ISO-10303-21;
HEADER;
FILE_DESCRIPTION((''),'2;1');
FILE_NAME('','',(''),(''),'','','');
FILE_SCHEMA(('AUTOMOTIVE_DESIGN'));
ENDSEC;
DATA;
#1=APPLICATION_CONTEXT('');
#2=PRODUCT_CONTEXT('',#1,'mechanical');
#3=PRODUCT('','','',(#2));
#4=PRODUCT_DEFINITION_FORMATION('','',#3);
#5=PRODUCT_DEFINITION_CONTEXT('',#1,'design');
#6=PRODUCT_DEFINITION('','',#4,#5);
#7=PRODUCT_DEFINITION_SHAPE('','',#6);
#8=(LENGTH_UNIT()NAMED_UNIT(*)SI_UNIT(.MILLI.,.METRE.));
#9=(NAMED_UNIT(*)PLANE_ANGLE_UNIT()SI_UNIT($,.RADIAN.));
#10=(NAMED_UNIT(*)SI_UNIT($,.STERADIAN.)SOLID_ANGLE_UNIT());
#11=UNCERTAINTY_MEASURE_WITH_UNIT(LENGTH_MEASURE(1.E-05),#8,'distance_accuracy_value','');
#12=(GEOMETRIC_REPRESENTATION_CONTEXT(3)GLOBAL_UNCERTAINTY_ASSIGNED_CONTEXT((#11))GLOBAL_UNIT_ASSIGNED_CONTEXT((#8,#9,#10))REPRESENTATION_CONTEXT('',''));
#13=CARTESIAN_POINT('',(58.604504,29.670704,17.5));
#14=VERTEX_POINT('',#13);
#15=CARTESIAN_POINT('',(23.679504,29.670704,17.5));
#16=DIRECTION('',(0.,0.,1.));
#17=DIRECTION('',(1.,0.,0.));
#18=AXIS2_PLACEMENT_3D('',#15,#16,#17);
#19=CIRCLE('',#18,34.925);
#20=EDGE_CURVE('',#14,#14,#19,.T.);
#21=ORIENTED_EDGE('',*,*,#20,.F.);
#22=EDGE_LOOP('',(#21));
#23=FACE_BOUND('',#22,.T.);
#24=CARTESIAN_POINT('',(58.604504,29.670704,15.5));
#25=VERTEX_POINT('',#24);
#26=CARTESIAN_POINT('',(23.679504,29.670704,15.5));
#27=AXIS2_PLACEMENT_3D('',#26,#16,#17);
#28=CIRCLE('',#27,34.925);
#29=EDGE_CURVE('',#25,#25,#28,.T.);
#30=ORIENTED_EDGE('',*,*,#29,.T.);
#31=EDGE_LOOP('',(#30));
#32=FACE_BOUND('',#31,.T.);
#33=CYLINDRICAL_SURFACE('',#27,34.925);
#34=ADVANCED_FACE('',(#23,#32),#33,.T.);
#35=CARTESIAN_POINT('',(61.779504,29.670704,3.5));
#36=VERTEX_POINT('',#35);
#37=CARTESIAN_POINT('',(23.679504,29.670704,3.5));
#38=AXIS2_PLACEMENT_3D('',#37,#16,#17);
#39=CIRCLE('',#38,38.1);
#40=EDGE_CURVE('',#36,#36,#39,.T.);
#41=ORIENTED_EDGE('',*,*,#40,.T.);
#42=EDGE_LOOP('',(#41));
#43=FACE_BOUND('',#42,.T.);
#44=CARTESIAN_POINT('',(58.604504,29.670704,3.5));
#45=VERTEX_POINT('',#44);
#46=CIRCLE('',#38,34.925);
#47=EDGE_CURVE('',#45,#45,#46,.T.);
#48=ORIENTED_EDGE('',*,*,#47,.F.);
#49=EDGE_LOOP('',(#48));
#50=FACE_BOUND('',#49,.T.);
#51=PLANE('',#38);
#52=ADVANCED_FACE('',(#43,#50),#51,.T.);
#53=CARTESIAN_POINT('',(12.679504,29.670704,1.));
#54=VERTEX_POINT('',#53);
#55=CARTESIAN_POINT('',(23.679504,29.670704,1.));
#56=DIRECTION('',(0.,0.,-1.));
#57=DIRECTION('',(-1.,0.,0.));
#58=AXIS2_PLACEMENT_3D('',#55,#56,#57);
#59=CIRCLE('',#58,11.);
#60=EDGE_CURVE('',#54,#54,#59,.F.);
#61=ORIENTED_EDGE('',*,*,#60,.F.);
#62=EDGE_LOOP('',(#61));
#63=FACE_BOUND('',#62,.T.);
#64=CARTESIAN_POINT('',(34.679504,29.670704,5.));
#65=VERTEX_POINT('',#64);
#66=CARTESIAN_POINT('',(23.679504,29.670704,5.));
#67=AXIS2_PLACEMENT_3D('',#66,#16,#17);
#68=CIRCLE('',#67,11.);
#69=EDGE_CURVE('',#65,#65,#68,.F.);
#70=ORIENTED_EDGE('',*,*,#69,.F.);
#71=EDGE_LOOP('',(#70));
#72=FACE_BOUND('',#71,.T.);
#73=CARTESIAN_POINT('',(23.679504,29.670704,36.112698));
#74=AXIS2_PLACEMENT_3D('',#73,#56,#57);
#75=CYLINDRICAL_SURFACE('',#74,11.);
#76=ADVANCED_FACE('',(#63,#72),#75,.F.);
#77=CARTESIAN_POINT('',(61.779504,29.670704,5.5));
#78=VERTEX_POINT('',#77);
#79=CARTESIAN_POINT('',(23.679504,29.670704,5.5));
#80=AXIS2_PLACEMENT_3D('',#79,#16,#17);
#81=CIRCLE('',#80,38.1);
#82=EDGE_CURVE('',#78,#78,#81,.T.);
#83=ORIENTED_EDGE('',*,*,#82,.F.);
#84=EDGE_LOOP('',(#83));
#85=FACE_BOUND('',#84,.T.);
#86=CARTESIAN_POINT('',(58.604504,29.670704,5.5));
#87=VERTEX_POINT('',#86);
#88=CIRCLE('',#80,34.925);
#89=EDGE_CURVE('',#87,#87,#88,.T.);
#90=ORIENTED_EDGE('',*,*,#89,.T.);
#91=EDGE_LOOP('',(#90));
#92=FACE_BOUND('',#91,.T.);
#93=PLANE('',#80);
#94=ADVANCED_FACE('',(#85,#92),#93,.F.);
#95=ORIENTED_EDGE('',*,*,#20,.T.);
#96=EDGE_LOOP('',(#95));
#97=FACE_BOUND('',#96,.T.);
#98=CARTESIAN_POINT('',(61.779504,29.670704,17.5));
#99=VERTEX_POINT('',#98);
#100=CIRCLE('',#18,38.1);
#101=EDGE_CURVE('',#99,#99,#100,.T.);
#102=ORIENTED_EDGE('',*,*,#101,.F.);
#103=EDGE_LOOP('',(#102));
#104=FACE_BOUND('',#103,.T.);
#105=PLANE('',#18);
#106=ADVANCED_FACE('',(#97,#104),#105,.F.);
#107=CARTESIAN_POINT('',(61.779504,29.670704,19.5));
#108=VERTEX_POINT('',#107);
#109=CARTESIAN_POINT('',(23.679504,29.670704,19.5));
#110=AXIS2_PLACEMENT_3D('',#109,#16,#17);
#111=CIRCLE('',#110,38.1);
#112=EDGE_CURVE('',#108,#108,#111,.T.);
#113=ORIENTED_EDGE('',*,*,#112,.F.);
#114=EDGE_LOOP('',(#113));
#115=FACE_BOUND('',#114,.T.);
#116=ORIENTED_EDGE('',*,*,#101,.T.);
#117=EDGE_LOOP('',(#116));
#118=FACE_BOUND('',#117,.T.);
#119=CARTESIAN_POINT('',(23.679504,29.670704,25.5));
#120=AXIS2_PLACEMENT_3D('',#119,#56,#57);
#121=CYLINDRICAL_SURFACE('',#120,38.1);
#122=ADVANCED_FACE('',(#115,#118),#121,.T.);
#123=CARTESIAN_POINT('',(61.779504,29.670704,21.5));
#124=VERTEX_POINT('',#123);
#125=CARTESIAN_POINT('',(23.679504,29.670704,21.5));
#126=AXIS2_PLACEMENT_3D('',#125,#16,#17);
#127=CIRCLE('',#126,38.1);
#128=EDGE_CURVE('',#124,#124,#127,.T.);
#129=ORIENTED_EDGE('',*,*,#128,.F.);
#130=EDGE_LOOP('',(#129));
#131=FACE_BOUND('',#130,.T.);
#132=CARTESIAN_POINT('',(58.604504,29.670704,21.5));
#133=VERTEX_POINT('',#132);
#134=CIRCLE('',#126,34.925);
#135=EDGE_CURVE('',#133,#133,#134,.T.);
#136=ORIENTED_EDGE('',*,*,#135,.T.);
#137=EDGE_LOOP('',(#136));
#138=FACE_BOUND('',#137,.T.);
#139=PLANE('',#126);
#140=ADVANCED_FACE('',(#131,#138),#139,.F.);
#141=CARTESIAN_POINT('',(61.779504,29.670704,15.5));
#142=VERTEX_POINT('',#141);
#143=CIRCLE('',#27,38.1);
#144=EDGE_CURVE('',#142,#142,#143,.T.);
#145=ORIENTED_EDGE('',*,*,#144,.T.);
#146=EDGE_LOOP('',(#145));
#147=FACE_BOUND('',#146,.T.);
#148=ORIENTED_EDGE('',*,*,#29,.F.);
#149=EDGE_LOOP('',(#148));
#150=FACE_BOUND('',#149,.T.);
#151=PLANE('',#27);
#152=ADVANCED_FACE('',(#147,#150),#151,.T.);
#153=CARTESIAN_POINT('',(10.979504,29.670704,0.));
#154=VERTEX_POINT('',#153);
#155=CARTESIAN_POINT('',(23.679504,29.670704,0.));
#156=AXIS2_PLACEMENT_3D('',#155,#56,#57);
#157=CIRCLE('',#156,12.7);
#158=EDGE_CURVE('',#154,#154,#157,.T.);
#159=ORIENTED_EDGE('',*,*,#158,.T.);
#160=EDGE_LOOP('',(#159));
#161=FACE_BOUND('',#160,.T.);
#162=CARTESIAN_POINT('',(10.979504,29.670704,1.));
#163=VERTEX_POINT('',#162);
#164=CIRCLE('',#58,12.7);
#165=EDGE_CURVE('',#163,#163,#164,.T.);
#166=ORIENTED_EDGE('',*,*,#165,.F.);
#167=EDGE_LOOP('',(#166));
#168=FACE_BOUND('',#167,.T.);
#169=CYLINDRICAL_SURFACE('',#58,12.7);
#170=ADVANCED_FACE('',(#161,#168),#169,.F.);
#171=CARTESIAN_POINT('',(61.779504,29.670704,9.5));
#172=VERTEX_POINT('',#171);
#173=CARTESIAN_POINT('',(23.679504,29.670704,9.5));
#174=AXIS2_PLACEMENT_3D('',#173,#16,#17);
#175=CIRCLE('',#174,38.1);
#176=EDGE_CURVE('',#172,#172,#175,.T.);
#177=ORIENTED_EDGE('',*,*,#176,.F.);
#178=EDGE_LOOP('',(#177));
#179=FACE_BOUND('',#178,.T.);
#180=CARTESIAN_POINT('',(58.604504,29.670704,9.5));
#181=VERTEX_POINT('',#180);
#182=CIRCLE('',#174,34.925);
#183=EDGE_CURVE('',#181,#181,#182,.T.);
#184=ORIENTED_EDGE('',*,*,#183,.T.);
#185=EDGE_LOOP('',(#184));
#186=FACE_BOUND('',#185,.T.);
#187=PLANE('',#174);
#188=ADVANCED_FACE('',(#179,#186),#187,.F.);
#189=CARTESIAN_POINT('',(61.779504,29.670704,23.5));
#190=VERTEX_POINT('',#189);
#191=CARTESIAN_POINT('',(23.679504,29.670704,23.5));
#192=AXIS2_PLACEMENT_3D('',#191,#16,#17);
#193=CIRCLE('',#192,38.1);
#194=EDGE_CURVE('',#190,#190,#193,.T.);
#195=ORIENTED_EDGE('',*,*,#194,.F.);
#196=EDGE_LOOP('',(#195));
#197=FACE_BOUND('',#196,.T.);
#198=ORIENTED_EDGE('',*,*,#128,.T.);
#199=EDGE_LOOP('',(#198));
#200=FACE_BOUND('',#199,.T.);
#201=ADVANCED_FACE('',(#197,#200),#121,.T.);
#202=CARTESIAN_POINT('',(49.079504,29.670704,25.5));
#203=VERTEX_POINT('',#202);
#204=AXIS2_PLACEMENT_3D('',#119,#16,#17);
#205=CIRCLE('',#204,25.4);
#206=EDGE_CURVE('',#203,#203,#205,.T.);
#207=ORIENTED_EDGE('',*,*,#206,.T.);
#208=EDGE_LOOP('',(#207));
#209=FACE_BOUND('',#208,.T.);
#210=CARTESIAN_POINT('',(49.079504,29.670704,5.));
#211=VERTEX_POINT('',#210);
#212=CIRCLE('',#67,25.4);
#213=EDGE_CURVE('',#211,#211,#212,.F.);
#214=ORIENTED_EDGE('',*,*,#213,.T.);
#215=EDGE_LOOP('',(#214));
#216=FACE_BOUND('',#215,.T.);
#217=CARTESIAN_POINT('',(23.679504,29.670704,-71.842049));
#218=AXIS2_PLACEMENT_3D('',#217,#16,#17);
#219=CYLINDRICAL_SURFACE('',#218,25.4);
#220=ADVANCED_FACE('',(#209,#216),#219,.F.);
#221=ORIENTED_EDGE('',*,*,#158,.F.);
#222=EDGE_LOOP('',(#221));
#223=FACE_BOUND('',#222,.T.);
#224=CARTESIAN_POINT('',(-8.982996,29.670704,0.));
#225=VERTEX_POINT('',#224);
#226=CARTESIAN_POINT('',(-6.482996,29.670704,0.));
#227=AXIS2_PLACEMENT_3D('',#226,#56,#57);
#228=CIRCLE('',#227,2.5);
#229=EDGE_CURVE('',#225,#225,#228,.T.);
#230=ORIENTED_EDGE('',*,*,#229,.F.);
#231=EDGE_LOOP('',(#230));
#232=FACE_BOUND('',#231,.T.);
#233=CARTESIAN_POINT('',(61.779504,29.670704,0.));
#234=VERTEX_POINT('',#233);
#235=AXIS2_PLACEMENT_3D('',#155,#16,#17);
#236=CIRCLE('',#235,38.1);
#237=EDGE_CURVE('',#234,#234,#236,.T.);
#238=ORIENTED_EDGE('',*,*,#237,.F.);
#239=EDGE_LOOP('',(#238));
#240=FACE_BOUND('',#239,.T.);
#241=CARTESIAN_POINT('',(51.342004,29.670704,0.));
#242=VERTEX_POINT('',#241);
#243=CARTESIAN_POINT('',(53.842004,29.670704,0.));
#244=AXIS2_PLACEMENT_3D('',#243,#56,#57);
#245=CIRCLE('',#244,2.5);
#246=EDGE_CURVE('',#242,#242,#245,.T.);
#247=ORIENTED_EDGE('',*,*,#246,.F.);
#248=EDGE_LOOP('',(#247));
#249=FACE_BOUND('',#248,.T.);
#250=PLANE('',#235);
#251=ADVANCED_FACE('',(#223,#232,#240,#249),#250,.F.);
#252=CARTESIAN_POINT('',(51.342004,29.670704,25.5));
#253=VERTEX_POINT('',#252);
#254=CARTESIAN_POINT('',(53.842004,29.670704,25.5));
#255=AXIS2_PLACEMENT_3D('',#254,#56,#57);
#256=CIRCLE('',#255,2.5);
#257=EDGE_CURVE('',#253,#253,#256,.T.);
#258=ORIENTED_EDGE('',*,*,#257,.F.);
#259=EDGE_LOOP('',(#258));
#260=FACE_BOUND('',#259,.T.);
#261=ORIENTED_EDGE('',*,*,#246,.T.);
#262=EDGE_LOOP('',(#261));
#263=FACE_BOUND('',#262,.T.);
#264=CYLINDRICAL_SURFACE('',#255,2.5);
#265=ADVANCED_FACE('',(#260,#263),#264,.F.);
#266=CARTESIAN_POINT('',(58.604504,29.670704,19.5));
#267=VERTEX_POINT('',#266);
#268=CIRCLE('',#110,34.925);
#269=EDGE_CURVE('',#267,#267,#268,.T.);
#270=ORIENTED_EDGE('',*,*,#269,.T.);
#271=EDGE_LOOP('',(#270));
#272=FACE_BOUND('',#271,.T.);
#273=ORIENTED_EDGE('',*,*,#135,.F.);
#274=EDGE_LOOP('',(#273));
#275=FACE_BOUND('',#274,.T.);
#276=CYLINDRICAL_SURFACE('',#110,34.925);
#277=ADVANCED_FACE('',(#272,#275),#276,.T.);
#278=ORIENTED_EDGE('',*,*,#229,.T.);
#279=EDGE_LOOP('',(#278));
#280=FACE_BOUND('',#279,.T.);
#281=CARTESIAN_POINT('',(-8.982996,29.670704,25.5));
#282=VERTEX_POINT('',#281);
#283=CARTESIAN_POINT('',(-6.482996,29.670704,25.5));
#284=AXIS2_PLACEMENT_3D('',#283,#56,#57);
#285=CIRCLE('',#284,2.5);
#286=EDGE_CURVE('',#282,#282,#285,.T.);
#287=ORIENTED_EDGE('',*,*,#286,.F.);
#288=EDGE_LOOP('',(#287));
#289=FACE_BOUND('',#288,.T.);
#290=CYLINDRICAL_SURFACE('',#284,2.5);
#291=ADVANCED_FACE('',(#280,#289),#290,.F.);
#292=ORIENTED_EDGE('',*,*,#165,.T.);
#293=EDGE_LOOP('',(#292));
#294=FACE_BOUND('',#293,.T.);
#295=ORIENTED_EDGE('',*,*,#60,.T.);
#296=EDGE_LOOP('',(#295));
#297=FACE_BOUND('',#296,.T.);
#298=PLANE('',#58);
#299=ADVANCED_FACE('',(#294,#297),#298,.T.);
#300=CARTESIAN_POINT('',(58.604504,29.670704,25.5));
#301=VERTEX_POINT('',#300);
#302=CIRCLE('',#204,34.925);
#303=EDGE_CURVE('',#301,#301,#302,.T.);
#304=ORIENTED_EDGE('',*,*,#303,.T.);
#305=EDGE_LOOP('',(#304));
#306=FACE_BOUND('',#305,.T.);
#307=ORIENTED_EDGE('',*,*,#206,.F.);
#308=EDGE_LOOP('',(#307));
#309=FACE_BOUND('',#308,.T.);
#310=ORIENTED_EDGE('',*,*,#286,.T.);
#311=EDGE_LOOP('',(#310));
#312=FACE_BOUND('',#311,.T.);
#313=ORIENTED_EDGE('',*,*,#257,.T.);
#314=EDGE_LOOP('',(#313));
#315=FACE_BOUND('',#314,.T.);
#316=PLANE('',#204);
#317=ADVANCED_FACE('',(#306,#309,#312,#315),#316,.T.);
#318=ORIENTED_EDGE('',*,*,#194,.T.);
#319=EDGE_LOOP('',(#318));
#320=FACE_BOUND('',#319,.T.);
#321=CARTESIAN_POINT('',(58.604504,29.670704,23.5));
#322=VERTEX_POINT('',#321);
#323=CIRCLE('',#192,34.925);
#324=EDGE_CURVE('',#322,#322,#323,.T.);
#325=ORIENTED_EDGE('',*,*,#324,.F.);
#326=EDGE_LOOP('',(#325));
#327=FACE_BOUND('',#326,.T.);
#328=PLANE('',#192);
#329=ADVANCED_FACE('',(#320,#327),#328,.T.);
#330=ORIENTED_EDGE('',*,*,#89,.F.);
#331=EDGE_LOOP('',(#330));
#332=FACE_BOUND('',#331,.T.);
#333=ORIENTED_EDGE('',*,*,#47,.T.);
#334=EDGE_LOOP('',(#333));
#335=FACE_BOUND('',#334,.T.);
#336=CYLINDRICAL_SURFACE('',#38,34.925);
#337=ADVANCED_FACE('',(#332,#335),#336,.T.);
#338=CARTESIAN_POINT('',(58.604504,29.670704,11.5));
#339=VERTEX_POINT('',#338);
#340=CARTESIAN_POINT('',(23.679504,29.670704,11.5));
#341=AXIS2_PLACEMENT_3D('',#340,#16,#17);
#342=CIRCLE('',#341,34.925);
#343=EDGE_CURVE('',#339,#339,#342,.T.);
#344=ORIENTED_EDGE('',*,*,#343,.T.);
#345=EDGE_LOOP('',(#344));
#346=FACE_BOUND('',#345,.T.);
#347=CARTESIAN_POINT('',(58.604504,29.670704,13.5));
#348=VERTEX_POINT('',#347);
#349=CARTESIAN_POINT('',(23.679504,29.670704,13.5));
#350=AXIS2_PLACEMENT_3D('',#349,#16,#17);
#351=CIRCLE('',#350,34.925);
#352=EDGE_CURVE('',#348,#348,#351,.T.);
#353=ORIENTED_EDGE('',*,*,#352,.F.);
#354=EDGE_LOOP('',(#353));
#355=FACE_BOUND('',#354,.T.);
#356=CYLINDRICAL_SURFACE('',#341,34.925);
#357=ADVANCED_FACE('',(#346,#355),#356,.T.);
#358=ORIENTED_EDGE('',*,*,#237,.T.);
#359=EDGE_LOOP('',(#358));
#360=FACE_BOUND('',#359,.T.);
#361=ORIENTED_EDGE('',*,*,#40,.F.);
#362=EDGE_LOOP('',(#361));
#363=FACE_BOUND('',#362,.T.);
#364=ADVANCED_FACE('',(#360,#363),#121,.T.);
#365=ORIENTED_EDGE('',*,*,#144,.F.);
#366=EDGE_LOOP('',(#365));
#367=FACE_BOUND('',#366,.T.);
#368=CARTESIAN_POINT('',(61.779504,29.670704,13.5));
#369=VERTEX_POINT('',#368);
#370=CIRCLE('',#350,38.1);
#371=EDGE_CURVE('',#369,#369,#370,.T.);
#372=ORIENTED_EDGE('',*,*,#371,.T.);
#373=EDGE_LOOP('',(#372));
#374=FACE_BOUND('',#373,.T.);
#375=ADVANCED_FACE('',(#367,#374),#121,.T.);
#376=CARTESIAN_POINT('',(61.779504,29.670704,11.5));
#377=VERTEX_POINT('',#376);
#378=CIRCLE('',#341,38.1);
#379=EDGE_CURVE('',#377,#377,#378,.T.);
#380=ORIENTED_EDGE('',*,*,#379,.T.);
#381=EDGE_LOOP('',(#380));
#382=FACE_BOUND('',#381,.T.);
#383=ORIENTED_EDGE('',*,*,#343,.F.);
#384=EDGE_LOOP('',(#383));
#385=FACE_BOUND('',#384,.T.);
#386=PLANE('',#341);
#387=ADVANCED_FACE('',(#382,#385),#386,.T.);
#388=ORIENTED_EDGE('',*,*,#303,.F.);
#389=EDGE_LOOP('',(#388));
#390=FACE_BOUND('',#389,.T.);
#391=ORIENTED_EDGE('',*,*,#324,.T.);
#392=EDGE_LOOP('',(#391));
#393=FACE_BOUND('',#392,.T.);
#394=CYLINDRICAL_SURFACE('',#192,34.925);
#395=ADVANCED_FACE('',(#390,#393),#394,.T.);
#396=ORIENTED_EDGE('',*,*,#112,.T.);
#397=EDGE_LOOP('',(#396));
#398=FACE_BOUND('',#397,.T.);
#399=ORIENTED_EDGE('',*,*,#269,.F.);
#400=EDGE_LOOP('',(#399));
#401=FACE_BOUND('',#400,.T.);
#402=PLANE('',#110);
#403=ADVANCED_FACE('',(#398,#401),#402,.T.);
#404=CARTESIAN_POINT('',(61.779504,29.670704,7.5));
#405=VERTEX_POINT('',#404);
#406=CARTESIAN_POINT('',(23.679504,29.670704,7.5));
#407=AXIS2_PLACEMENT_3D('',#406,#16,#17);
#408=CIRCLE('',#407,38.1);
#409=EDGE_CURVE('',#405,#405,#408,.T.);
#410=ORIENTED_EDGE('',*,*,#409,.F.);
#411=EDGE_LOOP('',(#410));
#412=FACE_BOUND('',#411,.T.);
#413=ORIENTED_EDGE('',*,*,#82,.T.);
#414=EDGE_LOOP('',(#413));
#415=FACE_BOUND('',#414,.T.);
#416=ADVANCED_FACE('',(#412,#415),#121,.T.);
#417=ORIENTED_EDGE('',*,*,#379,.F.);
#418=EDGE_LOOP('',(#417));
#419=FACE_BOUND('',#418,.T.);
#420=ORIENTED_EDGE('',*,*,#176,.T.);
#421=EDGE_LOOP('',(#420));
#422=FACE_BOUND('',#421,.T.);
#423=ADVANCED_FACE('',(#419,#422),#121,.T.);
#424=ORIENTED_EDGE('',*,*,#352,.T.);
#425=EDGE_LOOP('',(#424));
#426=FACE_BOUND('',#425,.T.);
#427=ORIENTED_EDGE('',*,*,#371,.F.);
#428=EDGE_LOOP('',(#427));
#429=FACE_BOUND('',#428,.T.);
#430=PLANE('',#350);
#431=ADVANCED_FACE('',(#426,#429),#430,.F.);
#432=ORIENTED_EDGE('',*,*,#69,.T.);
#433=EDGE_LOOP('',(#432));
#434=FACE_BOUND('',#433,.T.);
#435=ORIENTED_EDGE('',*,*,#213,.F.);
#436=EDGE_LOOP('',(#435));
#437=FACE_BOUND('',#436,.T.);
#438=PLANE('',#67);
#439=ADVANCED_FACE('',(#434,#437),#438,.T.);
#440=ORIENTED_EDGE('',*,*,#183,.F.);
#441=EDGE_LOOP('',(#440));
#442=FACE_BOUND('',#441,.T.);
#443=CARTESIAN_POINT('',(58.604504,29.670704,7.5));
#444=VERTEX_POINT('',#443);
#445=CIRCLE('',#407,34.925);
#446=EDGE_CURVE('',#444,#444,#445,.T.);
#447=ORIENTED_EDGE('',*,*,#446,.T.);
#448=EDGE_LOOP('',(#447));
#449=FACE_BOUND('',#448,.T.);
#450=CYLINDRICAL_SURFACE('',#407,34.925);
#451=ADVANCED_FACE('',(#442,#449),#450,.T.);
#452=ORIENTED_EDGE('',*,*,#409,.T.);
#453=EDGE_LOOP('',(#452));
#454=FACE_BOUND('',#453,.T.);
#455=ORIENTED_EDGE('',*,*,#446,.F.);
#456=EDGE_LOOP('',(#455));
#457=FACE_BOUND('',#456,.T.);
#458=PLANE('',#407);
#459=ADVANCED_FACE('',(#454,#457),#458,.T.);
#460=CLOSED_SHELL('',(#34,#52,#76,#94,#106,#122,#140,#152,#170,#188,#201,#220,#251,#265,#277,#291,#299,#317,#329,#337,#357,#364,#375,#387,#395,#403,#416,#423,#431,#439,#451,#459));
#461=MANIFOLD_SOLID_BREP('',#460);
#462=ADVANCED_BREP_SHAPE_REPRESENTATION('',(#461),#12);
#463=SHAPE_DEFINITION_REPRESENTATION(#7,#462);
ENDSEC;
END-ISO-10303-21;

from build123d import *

# Parameters (mm, degrees)
ESQUISSE1_R                = 38.1
BOSS_EXTRU_1_DEPTH         = 25.5
ESQUISSE3_R                = 25.4
ENL_V_MAT_EXTRU_2_DEPTH    = 20.5
ESQUISSE5_R                = 11
ENL_V_MAT_EXTRU_3_DEPTH    = 5
ESQUISSE7_R                = 12.7
ENL_V_MAT_EXTRU_4_DEPTH    = 1
ESQUISSE8_R                = 38.1
ESQUISSE8_R_2              = 34.925
ENL_V_MAT_EXTRU_5_DEPTH    = 2
R_P_TITION_LIN_AIRE1_COUNT = 6
R_P_TITION_LIN_AIRE1_PITCH = 4
ESQUISSE9_R                = 2.5
ENL_V_MAT_EXTRU_6_DEPTH    = 26.5


with BuildPart() as part:
    # Esquisse1 → Boss.-Extru.1 (new body)
    with BuildSketch(Plane.XY):
        with Locations((23.679503876, 29.670703652)):
            Circle(ESQUISSE1_R)
    extrude(amount=BOSS_EXTRU_1_DEPTH)

    # Esquisse3 → Enlèv. mat.-Extru.2 (cut)
    with BuildSketch(Plane.XY.offset(25.5)):
        with Locations((23.679503876, 29.670703652)):
            Circle(ESQUISSE3_R)
    extrude(amount=-ENL_V_MAT_EXTRU_2_DEPTH, mode=Mode.SUBTRACT)

    # Esquisse5 → Enlèv. mat.-Extru.3 (cut)
    with BuildSketch(Plane(origin=(0, 0, 0), x_dir=(-1, 0, 0), z_dir=(0, 0, -1))):
        with Locations((-23.679503876, 29.670703652)):
            Circle(ESQUISSE5_R)
    extrude(amount=-ENL_V_MAT_EXTRU_3_DEPTH, mode=Mode.SUBTRACT)

    # Esquisse7 → Enlèv. mat.-Extru.4 (cut)
    with BuildSketch(Plane(origin=(0, 0, 0), x_dir=(-1, 0, 0), z_dir=(0, 0, -1))):
        with Locations((-23.679503876, 29.670703652)):
            Circle(ESQUISSE7_R)
    extrude(amount=-ENL_V_MAT_EXTRU_4_DEPTH, mode=Mode.SUBTRACT)

    # Esquisse8 → Enlèv. mat.-Extru.5 (cut)
    with BuildSketch(Plane.XY.offset(25.5)):
        with Locations((23.679503876, 29.670703652)):
            Circle(ESQUISSE8_R)
        with Locations((23.679503876, 29.670703652)):
            Circle(ESQUISSE8_R_2, mode=Mode.SUBTRACT)
    enl_v_mat_extru_5 = extrude(amount=-ENL_V_MAT_EXTRU_5_DEPTH, mode=Mode.SUBTRACT)

    # Répétition linéaire1: Enlèv. mat.-Extru.5 ×6
    with Locations(*[(0, 0, -i * R_P_TITION_LIN_AIRE1_PITCH) for i in range(1, R_P_TITION_LIN_AIRE1_COUNT)]):
        add(enl_v_mat_extru_5, mode=Mode.SUBTRACT)

    # Esquisse9 → Enlèv. mat.-Extru.6 (cut, through all)
    with BuildSketch(Plane(origin=(0, 0, 0), x_dir=(-1, 0, 0), z_dir=(0, 0, -1))):
        with Locations((6.482996124, 29.670703652)):
            Circle(ESQUISSE9_R)
        with Locations((-53.842003876, 29.670703652)):
            Circle(ESQUISSE9_R)
    extrude(amount=-ENL_V_MAT_EXTRU_6_DEPTH, mode=Mode.SUBTRACT)


solid = part.part
